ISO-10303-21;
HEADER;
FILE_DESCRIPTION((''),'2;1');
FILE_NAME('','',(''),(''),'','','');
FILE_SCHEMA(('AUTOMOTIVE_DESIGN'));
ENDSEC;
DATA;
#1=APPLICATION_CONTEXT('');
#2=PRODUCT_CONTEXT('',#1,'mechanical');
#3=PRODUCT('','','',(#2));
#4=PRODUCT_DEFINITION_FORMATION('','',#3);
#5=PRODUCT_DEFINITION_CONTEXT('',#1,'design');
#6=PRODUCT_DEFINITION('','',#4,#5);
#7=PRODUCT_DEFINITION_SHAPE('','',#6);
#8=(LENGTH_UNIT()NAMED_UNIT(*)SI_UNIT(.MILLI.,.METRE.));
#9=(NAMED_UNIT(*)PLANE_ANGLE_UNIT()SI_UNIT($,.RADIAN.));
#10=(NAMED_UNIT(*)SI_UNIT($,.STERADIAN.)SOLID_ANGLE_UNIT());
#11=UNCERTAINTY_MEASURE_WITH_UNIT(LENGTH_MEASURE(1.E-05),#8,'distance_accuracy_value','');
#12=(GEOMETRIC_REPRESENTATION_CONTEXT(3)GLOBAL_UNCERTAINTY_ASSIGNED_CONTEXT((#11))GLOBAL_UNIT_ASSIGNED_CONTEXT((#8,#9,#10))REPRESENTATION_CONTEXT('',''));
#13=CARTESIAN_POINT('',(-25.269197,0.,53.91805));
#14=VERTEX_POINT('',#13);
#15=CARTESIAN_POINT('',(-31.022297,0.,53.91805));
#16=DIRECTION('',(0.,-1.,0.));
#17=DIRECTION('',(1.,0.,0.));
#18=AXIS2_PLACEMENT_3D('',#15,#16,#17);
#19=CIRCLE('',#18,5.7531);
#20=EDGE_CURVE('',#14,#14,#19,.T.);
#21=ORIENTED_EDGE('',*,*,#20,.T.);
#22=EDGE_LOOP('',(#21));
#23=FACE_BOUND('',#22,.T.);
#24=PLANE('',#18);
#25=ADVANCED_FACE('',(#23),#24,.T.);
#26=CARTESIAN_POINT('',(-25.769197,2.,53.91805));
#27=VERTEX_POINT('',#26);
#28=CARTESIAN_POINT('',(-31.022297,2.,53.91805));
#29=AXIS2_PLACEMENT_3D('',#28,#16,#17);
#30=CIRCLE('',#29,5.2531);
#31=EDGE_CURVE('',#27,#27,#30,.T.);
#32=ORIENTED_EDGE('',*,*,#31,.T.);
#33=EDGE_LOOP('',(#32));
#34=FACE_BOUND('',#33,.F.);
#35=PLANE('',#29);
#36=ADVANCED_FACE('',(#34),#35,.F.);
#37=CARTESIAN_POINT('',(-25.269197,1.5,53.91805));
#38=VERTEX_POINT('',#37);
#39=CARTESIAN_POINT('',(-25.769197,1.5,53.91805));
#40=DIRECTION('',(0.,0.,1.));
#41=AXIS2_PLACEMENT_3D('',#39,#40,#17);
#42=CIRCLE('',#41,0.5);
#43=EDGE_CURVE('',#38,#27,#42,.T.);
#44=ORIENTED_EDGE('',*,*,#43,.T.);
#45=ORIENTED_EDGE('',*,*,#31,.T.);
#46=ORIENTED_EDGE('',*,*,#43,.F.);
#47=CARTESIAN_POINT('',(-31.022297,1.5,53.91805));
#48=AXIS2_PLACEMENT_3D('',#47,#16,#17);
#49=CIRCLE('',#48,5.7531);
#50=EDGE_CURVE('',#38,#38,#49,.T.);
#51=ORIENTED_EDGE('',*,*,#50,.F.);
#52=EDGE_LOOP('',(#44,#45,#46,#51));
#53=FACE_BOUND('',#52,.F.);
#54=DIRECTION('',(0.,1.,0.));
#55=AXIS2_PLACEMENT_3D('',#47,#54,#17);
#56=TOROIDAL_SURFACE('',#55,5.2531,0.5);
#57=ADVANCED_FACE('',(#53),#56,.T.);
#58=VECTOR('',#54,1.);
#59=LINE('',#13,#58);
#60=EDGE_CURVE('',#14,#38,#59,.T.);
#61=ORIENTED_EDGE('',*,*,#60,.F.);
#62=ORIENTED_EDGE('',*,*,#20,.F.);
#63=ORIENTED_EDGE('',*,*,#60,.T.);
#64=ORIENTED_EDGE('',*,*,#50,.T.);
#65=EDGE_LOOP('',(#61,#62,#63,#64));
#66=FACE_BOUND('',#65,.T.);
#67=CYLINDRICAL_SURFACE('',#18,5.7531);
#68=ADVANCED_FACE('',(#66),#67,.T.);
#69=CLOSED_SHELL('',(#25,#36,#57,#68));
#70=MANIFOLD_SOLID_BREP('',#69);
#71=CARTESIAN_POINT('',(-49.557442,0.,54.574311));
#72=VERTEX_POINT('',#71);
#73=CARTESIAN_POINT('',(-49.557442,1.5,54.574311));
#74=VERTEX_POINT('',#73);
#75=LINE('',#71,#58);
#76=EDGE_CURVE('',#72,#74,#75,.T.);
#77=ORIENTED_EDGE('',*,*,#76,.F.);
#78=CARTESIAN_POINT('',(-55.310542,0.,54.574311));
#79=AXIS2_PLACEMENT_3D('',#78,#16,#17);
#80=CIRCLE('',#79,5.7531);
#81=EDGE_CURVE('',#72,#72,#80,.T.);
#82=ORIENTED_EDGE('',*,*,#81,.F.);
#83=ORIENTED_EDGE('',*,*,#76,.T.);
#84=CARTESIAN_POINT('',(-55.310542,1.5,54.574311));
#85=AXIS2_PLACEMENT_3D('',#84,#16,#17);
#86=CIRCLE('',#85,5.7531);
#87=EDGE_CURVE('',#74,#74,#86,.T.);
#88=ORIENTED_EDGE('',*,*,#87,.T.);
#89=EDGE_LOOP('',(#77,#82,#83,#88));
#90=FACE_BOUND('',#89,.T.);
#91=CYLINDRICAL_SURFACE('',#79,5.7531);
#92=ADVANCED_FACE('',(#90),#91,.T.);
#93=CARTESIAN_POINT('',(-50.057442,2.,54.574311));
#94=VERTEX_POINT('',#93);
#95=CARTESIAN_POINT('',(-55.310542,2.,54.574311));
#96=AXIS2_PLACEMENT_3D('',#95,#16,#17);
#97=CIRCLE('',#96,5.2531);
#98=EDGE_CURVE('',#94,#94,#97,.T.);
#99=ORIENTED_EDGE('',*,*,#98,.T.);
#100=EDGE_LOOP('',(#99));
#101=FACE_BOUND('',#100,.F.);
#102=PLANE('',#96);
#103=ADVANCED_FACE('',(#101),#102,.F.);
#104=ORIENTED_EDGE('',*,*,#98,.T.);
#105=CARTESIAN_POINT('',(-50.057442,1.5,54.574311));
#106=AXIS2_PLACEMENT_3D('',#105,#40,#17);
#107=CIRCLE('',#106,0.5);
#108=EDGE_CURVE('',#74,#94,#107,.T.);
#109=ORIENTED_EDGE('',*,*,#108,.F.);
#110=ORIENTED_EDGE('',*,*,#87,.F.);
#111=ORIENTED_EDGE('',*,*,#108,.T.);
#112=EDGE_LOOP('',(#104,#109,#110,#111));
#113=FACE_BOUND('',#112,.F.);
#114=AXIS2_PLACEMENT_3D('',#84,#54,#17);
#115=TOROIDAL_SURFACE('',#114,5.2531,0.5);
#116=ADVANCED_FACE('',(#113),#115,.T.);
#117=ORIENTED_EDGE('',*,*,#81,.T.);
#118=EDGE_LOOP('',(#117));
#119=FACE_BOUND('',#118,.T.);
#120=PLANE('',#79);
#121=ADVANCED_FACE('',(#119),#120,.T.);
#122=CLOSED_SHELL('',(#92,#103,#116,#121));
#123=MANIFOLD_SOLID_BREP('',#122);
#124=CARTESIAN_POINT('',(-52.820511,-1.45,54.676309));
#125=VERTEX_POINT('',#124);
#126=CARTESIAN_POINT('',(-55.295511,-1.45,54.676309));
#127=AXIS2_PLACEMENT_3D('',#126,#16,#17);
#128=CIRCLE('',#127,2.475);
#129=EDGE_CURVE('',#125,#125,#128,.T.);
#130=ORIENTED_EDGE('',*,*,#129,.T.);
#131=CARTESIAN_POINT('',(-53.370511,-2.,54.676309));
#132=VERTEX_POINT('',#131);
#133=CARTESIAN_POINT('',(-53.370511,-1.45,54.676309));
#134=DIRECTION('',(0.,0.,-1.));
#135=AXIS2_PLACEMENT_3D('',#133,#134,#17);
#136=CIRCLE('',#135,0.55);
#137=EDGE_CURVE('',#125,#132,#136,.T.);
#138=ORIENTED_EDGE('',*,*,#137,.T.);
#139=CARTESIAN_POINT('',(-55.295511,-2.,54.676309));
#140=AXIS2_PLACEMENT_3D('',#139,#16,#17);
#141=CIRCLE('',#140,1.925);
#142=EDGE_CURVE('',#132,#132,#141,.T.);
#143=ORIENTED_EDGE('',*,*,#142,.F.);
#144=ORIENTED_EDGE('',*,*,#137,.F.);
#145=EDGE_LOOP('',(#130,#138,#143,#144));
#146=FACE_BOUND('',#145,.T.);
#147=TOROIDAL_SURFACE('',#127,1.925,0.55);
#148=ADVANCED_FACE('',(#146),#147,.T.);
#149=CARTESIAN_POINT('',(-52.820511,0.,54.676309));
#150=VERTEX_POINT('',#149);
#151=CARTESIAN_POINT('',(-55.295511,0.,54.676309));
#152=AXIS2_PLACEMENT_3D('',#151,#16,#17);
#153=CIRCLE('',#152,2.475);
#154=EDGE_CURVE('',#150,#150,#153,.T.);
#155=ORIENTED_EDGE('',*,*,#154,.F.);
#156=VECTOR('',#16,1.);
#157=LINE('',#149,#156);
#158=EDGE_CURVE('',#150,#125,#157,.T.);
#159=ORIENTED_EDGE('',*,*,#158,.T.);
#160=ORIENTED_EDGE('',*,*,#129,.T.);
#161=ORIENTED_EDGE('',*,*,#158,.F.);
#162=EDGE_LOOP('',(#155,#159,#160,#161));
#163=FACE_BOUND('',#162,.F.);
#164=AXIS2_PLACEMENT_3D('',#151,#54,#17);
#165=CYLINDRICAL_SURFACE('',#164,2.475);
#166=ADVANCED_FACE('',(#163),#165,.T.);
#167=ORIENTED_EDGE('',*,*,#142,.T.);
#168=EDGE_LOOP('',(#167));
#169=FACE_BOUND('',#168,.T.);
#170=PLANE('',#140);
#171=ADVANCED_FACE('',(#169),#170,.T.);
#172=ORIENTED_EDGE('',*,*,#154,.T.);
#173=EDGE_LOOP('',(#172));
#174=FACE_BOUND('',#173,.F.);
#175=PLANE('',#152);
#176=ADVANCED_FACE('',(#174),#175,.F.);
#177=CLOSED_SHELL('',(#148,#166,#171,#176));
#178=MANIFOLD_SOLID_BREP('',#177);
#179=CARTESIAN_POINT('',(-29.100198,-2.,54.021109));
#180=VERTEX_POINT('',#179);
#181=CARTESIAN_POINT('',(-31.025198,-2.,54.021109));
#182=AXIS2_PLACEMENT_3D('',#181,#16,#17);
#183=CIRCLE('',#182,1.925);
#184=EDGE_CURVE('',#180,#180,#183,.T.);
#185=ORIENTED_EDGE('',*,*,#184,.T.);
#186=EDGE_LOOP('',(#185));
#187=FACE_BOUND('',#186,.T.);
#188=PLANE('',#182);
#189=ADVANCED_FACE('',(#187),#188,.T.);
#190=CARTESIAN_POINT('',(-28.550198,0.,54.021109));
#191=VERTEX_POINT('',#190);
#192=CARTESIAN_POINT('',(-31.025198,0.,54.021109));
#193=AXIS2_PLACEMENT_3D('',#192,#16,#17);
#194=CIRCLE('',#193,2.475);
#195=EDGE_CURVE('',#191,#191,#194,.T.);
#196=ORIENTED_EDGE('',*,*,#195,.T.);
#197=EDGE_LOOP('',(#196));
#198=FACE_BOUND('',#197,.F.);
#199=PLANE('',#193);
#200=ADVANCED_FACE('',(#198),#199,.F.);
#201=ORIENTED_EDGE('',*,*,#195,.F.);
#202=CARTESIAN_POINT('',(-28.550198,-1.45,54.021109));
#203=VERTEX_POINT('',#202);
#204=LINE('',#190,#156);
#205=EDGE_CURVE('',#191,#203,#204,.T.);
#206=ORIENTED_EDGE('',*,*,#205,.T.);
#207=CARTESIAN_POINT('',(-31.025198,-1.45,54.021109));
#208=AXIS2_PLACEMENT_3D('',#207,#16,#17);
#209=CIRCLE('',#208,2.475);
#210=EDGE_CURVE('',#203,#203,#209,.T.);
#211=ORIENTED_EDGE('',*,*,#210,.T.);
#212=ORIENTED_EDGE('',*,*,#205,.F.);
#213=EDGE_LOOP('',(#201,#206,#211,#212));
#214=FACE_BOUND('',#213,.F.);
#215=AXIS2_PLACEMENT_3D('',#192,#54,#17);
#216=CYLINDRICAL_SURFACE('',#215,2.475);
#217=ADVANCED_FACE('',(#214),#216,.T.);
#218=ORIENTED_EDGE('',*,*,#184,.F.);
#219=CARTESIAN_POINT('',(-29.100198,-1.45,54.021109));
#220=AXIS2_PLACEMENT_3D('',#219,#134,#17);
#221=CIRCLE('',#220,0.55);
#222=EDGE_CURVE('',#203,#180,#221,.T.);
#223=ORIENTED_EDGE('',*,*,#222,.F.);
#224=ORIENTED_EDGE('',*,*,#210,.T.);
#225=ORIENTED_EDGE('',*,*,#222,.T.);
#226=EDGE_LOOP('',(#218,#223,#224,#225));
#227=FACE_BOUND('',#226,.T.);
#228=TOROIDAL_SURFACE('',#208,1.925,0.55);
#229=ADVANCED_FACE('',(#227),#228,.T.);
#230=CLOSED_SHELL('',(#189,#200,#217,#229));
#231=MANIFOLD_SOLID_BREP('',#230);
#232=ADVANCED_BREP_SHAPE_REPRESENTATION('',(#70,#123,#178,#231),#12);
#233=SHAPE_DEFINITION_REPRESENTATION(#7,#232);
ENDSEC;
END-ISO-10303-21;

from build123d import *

# Parameters (mm, degrees)
F0_R     = 5.7531
F1_DEPTH = 2
F2_R     = 0.5
F3_R     = 2.475
F4_DEPTH = 2
F5_R     = 0.55


with BuildPart() as f1:
    # F0 (on Front) → F1 (new body)
    with BuildSketch(Plane.XZ):
        with Locations((-31.022297, 53.91805)):
            Circle(F0_R)
        with Locations((-55.310542, 54.574311)):
            Circle(F0_R)
    extrude(amount=-F1_DEPTH)

    # F2
    f2_edges = [f1.edges().sort_by_distance(p)[0] for p in [
        (-36.775397, 2, 53.91805),
        (-61.063642, 2, 54.574311),
    ]]
    fillet(f2_edges, radius=F2_R)


with BuildPart() as f4:
    # F3 (on Front) → F4 (new body)
    with BuildSketch(Plane.XZ):
        with Locations((-55.295511, 54.676309)):
            Circle(F3_R)
        with Locations((-31.025198, 54.021109)):
            Circle(F3_R)
    extrude(amount=F4_DEPTH)

    # F5
    f5_edges = [f4.edges().sort_by_distance(p)[0] for p in [
        (-57.770511, -2, 54.676309),
        (-33.500198, -2, 54.021109),
    ]]
    fillet(f5_edges, radius=F5_R)


solid = Compound([f1.part, f4.part])
